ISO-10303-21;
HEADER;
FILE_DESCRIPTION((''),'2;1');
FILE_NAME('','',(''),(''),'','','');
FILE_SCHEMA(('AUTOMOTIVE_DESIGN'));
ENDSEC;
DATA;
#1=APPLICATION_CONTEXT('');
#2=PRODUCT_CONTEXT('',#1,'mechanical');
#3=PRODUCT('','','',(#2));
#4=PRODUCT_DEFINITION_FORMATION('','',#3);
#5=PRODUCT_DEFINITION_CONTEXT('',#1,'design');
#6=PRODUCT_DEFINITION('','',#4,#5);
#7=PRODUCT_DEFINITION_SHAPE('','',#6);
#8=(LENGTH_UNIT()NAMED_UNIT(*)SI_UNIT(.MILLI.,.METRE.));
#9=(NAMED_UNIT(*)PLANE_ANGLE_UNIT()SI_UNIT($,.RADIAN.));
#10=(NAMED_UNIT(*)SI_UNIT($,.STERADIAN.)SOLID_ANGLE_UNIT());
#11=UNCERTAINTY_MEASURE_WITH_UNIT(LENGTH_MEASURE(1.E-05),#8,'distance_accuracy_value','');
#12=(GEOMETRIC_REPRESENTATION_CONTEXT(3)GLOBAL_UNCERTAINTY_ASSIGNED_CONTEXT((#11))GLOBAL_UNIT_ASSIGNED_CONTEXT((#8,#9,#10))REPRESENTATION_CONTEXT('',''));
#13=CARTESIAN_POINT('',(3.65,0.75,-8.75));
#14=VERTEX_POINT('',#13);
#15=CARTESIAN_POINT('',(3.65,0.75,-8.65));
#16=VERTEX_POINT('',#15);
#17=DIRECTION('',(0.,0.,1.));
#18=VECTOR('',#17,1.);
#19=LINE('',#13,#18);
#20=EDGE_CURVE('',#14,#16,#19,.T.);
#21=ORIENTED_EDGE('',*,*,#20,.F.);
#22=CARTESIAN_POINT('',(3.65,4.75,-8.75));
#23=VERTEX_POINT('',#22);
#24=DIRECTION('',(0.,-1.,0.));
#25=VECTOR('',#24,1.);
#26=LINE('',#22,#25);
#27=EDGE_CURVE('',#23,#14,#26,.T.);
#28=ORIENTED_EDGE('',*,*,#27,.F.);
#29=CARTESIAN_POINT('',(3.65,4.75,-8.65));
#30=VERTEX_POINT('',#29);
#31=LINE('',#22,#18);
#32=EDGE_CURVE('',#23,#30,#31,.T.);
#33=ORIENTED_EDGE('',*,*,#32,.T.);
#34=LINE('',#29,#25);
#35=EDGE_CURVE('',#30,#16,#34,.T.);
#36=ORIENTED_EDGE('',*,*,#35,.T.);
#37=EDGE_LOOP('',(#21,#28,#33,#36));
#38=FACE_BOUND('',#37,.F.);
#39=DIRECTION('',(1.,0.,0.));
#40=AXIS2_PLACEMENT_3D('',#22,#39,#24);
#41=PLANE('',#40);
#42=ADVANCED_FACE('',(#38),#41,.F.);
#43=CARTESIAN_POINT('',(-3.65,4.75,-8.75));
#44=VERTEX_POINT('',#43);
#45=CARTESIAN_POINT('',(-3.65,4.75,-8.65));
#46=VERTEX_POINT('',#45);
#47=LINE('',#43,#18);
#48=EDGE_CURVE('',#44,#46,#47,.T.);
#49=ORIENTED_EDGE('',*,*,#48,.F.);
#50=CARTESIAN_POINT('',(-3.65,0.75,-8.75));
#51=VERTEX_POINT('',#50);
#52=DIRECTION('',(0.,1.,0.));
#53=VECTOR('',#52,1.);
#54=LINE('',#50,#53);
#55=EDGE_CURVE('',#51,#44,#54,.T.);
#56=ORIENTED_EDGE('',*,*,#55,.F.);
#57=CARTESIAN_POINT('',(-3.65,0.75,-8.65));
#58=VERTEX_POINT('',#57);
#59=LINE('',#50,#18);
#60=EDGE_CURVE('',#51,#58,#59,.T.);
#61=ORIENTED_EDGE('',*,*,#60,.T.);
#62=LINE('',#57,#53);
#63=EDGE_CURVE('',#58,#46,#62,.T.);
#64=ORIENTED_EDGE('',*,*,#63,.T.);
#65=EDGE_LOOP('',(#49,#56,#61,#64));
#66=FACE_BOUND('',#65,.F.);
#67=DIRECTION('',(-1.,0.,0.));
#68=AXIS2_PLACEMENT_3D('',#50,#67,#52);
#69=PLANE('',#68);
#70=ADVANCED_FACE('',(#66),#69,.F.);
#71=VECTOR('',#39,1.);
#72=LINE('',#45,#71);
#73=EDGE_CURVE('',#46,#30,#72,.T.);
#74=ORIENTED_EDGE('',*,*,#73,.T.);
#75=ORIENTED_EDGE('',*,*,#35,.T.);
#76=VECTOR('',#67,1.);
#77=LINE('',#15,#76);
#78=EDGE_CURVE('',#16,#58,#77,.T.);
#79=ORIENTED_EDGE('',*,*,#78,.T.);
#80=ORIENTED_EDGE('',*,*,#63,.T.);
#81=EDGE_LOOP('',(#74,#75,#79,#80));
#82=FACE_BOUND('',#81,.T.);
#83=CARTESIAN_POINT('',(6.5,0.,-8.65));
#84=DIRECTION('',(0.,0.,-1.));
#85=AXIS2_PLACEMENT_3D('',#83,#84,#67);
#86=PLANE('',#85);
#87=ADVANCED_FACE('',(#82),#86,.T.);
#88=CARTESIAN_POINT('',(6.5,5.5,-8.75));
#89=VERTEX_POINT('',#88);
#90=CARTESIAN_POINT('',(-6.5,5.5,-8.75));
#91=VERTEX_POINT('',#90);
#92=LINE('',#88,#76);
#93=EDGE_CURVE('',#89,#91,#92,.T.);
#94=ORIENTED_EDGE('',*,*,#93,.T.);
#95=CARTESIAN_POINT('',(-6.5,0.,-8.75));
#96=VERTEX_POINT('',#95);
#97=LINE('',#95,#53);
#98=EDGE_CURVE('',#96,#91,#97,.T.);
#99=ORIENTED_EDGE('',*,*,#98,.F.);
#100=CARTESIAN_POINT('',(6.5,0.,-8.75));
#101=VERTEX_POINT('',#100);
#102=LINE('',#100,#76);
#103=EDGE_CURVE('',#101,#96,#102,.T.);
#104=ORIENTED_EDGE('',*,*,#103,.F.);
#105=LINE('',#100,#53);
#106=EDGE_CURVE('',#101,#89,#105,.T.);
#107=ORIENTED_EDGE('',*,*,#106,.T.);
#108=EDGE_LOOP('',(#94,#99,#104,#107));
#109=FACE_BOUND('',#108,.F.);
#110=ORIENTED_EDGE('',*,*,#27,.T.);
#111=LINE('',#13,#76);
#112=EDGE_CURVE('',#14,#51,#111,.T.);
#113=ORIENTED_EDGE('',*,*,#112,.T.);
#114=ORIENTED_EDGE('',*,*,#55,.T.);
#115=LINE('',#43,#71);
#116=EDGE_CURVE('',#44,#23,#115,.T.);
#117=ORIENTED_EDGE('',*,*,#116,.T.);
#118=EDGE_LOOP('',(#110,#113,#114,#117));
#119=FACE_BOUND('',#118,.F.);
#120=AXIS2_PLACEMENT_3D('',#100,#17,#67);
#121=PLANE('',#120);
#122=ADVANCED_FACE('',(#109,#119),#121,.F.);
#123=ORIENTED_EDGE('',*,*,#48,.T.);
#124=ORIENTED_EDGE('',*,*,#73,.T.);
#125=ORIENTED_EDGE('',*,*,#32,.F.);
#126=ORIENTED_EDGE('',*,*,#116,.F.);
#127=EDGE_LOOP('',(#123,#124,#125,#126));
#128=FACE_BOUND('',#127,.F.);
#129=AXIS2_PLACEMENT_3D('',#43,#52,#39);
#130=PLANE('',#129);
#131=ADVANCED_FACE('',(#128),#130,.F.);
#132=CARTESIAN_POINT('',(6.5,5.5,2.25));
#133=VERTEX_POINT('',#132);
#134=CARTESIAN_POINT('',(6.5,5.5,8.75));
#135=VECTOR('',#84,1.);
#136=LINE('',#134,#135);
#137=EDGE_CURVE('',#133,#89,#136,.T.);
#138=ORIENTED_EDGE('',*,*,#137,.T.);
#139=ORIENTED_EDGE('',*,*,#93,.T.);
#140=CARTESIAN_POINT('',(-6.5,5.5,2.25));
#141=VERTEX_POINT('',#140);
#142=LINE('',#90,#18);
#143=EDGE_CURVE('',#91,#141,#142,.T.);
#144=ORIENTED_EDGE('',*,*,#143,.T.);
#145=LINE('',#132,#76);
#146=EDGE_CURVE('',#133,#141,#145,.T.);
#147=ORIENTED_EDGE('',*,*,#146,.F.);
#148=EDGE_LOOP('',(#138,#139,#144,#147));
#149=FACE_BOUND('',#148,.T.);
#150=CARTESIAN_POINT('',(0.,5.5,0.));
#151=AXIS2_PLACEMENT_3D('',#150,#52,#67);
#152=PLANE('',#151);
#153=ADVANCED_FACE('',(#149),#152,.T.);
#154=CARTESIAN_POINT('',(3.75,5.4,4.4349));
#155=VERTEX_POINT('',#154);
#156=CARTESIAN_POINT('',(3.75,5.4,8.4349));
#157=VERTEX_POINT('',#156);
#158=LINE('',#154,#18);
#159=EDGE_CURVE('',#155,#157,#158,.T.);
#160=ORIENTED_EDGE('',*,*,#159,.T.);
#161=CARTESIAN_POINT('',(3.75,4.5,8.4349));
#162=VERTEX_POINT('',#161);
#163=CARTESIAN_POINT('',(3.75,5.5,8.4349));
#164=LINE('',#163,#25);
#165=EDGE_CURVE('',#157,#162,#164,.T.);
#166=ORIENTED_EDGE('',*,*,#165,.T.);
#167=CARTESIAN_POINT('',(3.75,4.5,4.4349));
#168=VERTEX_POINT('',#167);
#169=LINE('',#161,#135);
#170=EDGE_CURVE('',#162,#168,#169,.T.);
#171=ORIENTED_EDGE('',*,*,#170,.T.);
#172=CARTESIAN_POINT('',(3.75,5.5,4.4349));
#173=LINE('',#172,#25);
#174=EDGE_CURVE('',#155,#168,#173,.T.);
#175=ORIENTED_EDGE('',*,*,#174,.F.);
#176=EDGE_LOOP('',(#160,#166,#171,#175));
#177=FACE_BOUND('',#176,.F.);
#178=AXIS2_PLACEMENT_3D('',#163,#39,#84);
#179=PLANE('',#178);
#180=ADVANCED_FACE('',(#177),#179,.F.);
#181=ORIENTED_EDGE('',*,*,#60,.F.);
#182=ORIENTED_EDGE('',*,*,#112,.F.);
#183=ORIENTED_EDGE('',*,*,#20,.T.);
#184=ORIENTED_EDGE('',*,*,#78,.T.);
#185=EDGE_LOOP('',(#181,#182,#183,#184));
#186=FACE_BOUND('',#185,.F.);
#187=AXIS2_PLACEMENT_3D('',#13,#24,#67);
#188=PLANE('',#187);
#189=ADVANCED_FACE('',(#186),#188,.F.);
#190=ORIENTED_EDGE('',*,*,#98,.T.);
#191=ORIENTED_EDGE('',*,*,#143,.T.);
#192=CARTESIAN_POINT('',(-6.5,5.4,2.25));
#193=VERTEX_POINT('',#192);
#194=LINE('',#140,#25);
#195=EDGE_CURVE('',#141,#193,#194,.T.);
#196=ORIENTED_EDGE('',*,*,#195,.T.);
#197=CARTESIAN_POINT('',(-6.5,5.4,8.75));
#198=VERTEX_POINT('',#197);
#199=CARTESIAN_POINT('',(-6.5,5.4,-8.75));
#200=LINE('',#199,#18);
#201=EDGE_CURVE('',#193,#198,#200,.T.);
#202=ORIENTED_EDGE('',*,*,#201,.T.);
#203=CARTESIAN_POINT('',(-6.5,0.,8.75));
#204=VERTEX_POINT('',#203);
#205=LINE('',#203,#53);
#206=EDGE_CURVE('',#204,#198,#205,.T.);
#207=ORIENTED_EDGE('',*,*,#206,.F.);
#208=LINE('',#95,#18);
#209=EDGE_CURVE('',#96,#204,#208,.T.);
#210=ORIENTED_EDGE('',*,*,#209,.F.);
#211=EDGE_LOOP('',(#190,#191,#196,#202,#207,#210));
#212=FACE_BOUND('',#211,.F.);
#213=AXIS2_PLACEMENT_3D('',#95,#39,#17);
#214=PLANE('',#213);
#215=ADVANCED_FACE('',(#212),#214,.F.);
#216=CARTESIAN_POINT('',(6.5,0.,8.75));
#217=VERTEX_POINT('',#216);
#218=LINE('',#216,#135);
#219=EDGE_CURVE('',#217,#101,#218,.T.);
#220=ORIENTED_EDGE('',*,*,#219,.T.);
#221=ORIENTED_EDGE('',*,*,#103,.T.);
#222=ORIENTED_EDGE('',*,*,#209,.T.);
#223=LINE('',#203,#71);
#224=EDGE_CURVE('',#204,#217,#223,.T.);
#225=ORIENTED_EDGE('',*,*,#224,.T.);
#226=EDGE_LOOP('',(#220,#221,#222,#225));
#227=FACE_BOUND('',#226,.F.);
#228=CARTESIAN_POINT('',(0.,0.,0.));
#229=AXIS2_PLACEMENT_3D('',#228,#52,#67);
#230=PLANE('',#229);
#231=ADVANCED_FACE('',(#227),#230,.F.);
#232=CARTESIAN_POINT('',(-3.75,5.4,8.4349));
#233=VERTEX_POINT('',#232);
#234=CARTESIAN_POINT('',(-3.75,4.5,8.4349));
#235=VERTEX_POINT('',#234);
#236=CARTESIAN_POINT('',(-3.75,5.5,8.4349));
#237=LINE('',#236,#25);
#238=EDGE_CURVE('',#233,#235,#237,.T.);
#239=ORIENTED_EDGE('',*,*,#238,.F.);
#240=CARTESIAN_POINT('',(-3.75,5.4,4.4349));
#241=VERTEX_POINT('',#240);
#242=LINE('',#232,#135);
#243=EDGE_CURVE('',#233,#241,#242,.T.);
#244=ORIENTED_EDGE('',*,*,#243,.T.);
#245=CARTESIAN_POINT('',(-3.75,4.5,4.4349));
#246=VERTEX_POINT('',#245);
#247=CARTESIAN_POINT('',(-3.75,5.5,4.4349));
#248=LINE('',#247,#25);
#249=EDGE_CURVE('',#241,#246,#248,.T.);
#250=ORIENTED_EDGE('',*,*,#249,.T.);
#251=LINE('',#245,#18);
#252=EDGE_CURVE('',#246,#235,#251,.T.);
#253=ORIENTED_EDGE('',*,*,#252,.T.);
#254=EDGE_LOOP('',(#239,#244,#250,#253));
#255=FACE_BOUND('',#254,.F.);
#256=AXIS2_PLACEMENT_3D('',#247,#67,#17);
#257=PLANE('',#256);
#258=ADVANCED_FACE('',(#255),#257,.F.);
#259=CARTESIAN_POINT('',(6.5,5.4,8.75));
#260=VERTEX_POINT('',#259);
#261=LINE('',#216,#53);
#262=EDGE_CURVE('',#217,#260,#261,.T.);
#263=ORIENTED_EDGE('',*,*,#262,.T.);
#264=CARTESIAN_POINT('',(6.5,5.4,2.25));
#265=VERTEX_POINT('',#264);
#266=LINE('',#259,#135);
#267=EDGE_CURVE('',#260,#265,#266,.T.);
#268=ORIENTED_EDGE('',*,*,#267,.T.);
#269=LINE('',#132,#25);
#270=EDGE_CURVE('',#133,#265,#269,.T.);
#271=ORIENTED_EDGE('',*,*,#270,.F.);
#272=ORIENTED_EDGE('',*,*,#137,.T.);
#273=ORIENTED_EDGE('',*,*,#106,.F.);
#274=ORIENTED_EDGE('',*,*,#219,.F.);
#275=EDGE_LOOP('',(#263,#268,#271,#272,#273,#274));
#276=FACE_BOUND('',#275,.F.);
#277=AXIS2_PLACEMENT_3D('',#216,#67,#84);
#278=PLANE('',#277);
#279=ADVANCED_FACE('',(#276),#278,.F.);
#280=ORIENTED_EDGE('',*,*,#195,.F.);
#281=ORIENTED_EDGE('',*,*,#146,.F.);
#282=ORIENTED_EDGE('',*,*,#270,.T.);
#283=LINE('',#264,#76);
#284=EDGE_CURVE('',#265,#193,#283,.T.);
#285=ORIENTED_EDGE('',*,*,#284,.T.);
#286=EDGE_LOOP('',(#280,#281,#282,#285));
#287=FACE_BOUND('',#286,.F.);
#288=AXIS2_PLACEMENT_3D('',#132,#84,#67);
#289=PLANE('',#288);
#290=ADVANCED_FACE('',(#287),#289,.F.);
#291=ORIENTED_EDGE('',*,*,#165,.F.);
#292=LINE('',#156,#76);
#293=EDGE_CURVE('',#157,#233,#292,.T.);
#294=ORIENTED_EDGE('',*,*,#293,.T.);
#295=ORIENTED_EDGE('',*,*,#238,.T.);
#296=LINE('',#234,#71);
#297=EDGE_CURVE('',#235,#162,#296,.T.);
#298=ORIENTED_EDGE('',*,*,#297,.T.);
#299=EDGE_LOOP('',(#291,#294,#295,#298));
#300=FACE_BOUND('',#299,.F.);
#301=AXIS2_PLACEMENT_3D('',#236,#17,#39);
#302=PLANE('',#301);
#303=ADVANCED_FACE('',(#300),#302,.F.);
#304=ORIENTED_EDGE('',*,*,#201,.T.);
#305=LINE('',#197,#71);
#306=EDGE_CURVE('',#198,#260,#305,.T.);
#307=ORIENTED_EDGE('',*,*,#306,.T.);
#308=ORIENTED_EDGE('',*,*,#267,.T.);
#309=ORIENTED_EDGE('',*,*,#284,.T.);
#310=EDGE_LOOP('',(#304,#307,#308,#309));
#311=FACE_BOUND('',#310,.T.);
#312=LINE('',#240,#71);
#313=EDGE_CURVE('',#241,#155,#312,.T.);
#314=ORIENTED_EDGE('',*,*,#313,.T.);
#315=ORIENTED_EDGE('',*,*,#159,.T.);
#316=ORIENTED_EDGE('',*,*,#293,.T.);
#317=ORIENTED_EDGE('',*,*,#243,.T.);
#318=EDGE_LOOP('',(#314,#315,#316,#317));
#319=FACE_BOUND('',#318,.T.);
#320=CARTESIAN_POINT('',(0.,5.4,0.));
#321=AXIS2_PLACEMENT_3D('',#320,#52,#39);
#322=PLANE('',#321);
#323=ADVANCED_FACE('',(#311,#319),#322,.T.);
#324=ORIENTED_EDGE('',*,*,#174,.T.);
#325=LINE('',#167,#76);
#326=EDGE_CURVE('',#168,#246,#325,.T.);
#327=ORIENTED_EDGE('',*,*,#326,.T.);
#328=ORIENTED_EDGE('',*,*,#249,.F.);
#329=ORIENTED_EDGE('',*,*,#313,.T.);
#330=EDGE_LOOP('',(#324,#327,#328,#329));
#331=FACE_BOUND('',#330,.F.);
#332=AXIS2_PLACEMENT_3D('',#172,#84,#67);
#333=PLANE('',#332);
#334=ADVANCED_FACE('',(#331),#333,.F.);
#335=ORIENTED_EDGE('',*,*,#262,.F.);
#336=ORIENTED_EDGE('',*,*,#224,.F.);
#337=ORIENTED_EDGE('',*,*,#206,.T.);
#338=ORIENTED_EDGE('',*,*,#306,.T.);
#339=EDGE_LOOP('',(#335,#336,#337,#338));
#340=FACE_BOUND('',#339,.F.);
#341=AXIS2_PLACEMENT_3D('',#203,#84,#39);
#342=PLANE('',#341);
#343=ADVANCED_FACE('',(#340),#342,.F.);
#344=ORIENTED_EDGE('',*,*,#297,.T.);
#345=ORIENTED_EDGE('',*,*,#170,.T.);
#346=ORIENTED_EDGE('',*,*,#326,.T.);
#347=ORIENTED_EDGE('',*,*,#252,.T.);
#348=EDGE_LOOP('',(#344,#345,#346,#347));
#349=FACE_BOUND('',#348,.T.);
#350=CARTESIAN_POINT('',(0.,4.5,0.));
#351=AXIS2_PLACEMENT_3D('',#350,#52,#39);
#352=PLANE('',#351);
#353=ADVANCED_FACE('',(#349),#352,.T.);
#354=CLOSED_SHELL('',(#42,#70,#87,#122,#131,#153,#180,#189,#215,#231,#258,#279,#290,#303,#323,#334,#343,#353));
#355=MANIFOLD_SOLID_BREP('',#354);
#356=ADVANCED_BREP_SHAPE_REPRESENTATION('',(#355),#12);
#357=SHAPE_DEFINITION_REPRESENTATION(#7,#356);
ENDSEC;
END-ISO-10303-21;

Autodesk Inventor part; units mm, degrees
ref_plane "YZ Plane" through (0, 0, 0) normal (1, 0, 0) x (0, 1, 0)
ref_plane "XZ Plane" through (0, 0, 0) normal (0, 1, 0) x (-1, 0, 0)
ref_plane "XY Plane" through (0, 0, 0) normal (0, 0, 1) x (1, 0, 0)
sketch "Skizze1" plane through (0, 0, 0) normal (0, 1, 0) x (-1, 0, 0)
  line L0 (-6.5, -8.75) -> (6.5, -8.75)
  line L1 (6.5, -8.75) -> (6.5, 8.75)
  line L2 (6.5, 8.75) -> (-6.5, 8.75)
  line L3 (-6.5, 8.75) -> (-6.5, -8.75)
  line L4 (-6.5, -8.75) -> (6.5, 8.75) construction
  line L5 (6.5, -8.75) -> (-6.5, 8.75) construction
  point P0 (0, 0)
  dimension "d0" = 13
  dimension "d1" = 17.5
extrude "Extrusion1" add sketch "Skizze1" along normal blind 5.5
sketch "Skizze2" plane through (0, 5.5, 0) normal (0, 1, 0) x (1, 0, 0)
  line L0 (-6.5, 8.75) -> (-6.5, -8.75) projected
  line L1 (-6.5, -8.75) -> (6.5, -8.75) projected
  line L2 (6.5, -8.75) -> (6.5, 8.75) projected
  line L3 (6.5, 8.75) -> (-6.5, 8.75) projected
  line L4 (3.75, -4.4349) -> (-3.75, -4.4349)
  line L5 (-3.75, -4.4349) -> (-3.75, -8.4349)
  line L6 (-3.75, -8.4349) -> (3.75, -8.4349)
  line L7 (3.75, -8.4349) -> (3.75, -4.4349)
  line L8 (3.75, -4.4349) -> (-3.75, -8.4349) construction
  line L9 (-3.75, -4.4349) -> (3.75, -8.4349) construction
  point P0 (0, 0)
  point P1 (0, -6.4349)
  dimension "d4" = 7.5
  dimension "d5" = 4
extrude "Extrusion2" cut sketch "Skizze2" against normal blind 1 contours L7 L6 L5 L4
sketch "Skizze3" plane through (0, 5.5, 0) normal (0, 1, 0) x (1, 0, 0)
  line L0 (-6.5, 8.75) -> (-6.5, -8.75) projected
  line L1 (3.75, -8.4349) -> (-3.75, -8.4349) projected
  line L2 (-3.75, -8.4349) -> (-3.75, -4.4349) projected
  line L3 (-3.75, -4.4349) -> (3.75, -4.4349) projected
  line L4 (3.75, -4.4349) -> (3.75, -8.4349) projected
  line L5 (-6.5, 8.75) -> (-6.5, -8.75) projected
  line L6 (-6.5, -8.75) -> (6.5, -8.75) projected
  line L7 (6.5, -8.75) -> (6.5, 8.75) projected
  line L8 (6.5, 8.75) -> (-6.5, 8.75) projected
  line L9 (6.5, -8.75) -> (6.5, 8.75) projected
  line L10 (-6.5, -8.75) -> (6.5, -8.75)
  line L11 (6.5, -8.75) -> (6.5, -2.25)
  line L12 (6.5, -2.25) -> (-6.5, -2.25)
  line L13 (-6.5, -2.25) -> (-6.5, -8.75)
  point P0 (0, 0)
  dimension "d8" = 6.5
extrude "Extrusion3" cut sketch "Skizze3" against normal blind 0.1 contours L12 L7 L6 L0
sketch "Skizze4" plane through (6.5, 0, -8.75) normal (0, 0, -1) x (-1, 0, 0)
  line L0 (0, 0) -> (13, 0) projected
  line L1 (13, 0) -> (13, 5.5) projected
  line L2 (0, 5.5) -> (13, 5.5) projected
  line L3 (0, 0) -> (0, 5.5) projected
  line L4 (10.15, 4.75) -> (2.85, 4.75)
  line L5 (2.85, 4.75) -> (2.85, 0.75)
  line L6 (2.85, 0.75) -> (10.15, 0.75)
  line L7 (10.15, 0.75) -> (10.15, 4.75)
  line L8 (10.15, 4.75) -> (2.85, 0.75) construction
  line L9 (2.85, 4.75) -> (10.15, 0.75) construction
  point P0 (6.5, 0)
  point P1 (6.5, 2.75)
  dimension "d11" = 7.3
  dimension "d12" = 4
extrude "Extrusion4" cut sketch "Skizze4" against normal blind 0.1 contours L7 L6 L5 L4
properties part number "00_HuaweiP30_Telelens"
